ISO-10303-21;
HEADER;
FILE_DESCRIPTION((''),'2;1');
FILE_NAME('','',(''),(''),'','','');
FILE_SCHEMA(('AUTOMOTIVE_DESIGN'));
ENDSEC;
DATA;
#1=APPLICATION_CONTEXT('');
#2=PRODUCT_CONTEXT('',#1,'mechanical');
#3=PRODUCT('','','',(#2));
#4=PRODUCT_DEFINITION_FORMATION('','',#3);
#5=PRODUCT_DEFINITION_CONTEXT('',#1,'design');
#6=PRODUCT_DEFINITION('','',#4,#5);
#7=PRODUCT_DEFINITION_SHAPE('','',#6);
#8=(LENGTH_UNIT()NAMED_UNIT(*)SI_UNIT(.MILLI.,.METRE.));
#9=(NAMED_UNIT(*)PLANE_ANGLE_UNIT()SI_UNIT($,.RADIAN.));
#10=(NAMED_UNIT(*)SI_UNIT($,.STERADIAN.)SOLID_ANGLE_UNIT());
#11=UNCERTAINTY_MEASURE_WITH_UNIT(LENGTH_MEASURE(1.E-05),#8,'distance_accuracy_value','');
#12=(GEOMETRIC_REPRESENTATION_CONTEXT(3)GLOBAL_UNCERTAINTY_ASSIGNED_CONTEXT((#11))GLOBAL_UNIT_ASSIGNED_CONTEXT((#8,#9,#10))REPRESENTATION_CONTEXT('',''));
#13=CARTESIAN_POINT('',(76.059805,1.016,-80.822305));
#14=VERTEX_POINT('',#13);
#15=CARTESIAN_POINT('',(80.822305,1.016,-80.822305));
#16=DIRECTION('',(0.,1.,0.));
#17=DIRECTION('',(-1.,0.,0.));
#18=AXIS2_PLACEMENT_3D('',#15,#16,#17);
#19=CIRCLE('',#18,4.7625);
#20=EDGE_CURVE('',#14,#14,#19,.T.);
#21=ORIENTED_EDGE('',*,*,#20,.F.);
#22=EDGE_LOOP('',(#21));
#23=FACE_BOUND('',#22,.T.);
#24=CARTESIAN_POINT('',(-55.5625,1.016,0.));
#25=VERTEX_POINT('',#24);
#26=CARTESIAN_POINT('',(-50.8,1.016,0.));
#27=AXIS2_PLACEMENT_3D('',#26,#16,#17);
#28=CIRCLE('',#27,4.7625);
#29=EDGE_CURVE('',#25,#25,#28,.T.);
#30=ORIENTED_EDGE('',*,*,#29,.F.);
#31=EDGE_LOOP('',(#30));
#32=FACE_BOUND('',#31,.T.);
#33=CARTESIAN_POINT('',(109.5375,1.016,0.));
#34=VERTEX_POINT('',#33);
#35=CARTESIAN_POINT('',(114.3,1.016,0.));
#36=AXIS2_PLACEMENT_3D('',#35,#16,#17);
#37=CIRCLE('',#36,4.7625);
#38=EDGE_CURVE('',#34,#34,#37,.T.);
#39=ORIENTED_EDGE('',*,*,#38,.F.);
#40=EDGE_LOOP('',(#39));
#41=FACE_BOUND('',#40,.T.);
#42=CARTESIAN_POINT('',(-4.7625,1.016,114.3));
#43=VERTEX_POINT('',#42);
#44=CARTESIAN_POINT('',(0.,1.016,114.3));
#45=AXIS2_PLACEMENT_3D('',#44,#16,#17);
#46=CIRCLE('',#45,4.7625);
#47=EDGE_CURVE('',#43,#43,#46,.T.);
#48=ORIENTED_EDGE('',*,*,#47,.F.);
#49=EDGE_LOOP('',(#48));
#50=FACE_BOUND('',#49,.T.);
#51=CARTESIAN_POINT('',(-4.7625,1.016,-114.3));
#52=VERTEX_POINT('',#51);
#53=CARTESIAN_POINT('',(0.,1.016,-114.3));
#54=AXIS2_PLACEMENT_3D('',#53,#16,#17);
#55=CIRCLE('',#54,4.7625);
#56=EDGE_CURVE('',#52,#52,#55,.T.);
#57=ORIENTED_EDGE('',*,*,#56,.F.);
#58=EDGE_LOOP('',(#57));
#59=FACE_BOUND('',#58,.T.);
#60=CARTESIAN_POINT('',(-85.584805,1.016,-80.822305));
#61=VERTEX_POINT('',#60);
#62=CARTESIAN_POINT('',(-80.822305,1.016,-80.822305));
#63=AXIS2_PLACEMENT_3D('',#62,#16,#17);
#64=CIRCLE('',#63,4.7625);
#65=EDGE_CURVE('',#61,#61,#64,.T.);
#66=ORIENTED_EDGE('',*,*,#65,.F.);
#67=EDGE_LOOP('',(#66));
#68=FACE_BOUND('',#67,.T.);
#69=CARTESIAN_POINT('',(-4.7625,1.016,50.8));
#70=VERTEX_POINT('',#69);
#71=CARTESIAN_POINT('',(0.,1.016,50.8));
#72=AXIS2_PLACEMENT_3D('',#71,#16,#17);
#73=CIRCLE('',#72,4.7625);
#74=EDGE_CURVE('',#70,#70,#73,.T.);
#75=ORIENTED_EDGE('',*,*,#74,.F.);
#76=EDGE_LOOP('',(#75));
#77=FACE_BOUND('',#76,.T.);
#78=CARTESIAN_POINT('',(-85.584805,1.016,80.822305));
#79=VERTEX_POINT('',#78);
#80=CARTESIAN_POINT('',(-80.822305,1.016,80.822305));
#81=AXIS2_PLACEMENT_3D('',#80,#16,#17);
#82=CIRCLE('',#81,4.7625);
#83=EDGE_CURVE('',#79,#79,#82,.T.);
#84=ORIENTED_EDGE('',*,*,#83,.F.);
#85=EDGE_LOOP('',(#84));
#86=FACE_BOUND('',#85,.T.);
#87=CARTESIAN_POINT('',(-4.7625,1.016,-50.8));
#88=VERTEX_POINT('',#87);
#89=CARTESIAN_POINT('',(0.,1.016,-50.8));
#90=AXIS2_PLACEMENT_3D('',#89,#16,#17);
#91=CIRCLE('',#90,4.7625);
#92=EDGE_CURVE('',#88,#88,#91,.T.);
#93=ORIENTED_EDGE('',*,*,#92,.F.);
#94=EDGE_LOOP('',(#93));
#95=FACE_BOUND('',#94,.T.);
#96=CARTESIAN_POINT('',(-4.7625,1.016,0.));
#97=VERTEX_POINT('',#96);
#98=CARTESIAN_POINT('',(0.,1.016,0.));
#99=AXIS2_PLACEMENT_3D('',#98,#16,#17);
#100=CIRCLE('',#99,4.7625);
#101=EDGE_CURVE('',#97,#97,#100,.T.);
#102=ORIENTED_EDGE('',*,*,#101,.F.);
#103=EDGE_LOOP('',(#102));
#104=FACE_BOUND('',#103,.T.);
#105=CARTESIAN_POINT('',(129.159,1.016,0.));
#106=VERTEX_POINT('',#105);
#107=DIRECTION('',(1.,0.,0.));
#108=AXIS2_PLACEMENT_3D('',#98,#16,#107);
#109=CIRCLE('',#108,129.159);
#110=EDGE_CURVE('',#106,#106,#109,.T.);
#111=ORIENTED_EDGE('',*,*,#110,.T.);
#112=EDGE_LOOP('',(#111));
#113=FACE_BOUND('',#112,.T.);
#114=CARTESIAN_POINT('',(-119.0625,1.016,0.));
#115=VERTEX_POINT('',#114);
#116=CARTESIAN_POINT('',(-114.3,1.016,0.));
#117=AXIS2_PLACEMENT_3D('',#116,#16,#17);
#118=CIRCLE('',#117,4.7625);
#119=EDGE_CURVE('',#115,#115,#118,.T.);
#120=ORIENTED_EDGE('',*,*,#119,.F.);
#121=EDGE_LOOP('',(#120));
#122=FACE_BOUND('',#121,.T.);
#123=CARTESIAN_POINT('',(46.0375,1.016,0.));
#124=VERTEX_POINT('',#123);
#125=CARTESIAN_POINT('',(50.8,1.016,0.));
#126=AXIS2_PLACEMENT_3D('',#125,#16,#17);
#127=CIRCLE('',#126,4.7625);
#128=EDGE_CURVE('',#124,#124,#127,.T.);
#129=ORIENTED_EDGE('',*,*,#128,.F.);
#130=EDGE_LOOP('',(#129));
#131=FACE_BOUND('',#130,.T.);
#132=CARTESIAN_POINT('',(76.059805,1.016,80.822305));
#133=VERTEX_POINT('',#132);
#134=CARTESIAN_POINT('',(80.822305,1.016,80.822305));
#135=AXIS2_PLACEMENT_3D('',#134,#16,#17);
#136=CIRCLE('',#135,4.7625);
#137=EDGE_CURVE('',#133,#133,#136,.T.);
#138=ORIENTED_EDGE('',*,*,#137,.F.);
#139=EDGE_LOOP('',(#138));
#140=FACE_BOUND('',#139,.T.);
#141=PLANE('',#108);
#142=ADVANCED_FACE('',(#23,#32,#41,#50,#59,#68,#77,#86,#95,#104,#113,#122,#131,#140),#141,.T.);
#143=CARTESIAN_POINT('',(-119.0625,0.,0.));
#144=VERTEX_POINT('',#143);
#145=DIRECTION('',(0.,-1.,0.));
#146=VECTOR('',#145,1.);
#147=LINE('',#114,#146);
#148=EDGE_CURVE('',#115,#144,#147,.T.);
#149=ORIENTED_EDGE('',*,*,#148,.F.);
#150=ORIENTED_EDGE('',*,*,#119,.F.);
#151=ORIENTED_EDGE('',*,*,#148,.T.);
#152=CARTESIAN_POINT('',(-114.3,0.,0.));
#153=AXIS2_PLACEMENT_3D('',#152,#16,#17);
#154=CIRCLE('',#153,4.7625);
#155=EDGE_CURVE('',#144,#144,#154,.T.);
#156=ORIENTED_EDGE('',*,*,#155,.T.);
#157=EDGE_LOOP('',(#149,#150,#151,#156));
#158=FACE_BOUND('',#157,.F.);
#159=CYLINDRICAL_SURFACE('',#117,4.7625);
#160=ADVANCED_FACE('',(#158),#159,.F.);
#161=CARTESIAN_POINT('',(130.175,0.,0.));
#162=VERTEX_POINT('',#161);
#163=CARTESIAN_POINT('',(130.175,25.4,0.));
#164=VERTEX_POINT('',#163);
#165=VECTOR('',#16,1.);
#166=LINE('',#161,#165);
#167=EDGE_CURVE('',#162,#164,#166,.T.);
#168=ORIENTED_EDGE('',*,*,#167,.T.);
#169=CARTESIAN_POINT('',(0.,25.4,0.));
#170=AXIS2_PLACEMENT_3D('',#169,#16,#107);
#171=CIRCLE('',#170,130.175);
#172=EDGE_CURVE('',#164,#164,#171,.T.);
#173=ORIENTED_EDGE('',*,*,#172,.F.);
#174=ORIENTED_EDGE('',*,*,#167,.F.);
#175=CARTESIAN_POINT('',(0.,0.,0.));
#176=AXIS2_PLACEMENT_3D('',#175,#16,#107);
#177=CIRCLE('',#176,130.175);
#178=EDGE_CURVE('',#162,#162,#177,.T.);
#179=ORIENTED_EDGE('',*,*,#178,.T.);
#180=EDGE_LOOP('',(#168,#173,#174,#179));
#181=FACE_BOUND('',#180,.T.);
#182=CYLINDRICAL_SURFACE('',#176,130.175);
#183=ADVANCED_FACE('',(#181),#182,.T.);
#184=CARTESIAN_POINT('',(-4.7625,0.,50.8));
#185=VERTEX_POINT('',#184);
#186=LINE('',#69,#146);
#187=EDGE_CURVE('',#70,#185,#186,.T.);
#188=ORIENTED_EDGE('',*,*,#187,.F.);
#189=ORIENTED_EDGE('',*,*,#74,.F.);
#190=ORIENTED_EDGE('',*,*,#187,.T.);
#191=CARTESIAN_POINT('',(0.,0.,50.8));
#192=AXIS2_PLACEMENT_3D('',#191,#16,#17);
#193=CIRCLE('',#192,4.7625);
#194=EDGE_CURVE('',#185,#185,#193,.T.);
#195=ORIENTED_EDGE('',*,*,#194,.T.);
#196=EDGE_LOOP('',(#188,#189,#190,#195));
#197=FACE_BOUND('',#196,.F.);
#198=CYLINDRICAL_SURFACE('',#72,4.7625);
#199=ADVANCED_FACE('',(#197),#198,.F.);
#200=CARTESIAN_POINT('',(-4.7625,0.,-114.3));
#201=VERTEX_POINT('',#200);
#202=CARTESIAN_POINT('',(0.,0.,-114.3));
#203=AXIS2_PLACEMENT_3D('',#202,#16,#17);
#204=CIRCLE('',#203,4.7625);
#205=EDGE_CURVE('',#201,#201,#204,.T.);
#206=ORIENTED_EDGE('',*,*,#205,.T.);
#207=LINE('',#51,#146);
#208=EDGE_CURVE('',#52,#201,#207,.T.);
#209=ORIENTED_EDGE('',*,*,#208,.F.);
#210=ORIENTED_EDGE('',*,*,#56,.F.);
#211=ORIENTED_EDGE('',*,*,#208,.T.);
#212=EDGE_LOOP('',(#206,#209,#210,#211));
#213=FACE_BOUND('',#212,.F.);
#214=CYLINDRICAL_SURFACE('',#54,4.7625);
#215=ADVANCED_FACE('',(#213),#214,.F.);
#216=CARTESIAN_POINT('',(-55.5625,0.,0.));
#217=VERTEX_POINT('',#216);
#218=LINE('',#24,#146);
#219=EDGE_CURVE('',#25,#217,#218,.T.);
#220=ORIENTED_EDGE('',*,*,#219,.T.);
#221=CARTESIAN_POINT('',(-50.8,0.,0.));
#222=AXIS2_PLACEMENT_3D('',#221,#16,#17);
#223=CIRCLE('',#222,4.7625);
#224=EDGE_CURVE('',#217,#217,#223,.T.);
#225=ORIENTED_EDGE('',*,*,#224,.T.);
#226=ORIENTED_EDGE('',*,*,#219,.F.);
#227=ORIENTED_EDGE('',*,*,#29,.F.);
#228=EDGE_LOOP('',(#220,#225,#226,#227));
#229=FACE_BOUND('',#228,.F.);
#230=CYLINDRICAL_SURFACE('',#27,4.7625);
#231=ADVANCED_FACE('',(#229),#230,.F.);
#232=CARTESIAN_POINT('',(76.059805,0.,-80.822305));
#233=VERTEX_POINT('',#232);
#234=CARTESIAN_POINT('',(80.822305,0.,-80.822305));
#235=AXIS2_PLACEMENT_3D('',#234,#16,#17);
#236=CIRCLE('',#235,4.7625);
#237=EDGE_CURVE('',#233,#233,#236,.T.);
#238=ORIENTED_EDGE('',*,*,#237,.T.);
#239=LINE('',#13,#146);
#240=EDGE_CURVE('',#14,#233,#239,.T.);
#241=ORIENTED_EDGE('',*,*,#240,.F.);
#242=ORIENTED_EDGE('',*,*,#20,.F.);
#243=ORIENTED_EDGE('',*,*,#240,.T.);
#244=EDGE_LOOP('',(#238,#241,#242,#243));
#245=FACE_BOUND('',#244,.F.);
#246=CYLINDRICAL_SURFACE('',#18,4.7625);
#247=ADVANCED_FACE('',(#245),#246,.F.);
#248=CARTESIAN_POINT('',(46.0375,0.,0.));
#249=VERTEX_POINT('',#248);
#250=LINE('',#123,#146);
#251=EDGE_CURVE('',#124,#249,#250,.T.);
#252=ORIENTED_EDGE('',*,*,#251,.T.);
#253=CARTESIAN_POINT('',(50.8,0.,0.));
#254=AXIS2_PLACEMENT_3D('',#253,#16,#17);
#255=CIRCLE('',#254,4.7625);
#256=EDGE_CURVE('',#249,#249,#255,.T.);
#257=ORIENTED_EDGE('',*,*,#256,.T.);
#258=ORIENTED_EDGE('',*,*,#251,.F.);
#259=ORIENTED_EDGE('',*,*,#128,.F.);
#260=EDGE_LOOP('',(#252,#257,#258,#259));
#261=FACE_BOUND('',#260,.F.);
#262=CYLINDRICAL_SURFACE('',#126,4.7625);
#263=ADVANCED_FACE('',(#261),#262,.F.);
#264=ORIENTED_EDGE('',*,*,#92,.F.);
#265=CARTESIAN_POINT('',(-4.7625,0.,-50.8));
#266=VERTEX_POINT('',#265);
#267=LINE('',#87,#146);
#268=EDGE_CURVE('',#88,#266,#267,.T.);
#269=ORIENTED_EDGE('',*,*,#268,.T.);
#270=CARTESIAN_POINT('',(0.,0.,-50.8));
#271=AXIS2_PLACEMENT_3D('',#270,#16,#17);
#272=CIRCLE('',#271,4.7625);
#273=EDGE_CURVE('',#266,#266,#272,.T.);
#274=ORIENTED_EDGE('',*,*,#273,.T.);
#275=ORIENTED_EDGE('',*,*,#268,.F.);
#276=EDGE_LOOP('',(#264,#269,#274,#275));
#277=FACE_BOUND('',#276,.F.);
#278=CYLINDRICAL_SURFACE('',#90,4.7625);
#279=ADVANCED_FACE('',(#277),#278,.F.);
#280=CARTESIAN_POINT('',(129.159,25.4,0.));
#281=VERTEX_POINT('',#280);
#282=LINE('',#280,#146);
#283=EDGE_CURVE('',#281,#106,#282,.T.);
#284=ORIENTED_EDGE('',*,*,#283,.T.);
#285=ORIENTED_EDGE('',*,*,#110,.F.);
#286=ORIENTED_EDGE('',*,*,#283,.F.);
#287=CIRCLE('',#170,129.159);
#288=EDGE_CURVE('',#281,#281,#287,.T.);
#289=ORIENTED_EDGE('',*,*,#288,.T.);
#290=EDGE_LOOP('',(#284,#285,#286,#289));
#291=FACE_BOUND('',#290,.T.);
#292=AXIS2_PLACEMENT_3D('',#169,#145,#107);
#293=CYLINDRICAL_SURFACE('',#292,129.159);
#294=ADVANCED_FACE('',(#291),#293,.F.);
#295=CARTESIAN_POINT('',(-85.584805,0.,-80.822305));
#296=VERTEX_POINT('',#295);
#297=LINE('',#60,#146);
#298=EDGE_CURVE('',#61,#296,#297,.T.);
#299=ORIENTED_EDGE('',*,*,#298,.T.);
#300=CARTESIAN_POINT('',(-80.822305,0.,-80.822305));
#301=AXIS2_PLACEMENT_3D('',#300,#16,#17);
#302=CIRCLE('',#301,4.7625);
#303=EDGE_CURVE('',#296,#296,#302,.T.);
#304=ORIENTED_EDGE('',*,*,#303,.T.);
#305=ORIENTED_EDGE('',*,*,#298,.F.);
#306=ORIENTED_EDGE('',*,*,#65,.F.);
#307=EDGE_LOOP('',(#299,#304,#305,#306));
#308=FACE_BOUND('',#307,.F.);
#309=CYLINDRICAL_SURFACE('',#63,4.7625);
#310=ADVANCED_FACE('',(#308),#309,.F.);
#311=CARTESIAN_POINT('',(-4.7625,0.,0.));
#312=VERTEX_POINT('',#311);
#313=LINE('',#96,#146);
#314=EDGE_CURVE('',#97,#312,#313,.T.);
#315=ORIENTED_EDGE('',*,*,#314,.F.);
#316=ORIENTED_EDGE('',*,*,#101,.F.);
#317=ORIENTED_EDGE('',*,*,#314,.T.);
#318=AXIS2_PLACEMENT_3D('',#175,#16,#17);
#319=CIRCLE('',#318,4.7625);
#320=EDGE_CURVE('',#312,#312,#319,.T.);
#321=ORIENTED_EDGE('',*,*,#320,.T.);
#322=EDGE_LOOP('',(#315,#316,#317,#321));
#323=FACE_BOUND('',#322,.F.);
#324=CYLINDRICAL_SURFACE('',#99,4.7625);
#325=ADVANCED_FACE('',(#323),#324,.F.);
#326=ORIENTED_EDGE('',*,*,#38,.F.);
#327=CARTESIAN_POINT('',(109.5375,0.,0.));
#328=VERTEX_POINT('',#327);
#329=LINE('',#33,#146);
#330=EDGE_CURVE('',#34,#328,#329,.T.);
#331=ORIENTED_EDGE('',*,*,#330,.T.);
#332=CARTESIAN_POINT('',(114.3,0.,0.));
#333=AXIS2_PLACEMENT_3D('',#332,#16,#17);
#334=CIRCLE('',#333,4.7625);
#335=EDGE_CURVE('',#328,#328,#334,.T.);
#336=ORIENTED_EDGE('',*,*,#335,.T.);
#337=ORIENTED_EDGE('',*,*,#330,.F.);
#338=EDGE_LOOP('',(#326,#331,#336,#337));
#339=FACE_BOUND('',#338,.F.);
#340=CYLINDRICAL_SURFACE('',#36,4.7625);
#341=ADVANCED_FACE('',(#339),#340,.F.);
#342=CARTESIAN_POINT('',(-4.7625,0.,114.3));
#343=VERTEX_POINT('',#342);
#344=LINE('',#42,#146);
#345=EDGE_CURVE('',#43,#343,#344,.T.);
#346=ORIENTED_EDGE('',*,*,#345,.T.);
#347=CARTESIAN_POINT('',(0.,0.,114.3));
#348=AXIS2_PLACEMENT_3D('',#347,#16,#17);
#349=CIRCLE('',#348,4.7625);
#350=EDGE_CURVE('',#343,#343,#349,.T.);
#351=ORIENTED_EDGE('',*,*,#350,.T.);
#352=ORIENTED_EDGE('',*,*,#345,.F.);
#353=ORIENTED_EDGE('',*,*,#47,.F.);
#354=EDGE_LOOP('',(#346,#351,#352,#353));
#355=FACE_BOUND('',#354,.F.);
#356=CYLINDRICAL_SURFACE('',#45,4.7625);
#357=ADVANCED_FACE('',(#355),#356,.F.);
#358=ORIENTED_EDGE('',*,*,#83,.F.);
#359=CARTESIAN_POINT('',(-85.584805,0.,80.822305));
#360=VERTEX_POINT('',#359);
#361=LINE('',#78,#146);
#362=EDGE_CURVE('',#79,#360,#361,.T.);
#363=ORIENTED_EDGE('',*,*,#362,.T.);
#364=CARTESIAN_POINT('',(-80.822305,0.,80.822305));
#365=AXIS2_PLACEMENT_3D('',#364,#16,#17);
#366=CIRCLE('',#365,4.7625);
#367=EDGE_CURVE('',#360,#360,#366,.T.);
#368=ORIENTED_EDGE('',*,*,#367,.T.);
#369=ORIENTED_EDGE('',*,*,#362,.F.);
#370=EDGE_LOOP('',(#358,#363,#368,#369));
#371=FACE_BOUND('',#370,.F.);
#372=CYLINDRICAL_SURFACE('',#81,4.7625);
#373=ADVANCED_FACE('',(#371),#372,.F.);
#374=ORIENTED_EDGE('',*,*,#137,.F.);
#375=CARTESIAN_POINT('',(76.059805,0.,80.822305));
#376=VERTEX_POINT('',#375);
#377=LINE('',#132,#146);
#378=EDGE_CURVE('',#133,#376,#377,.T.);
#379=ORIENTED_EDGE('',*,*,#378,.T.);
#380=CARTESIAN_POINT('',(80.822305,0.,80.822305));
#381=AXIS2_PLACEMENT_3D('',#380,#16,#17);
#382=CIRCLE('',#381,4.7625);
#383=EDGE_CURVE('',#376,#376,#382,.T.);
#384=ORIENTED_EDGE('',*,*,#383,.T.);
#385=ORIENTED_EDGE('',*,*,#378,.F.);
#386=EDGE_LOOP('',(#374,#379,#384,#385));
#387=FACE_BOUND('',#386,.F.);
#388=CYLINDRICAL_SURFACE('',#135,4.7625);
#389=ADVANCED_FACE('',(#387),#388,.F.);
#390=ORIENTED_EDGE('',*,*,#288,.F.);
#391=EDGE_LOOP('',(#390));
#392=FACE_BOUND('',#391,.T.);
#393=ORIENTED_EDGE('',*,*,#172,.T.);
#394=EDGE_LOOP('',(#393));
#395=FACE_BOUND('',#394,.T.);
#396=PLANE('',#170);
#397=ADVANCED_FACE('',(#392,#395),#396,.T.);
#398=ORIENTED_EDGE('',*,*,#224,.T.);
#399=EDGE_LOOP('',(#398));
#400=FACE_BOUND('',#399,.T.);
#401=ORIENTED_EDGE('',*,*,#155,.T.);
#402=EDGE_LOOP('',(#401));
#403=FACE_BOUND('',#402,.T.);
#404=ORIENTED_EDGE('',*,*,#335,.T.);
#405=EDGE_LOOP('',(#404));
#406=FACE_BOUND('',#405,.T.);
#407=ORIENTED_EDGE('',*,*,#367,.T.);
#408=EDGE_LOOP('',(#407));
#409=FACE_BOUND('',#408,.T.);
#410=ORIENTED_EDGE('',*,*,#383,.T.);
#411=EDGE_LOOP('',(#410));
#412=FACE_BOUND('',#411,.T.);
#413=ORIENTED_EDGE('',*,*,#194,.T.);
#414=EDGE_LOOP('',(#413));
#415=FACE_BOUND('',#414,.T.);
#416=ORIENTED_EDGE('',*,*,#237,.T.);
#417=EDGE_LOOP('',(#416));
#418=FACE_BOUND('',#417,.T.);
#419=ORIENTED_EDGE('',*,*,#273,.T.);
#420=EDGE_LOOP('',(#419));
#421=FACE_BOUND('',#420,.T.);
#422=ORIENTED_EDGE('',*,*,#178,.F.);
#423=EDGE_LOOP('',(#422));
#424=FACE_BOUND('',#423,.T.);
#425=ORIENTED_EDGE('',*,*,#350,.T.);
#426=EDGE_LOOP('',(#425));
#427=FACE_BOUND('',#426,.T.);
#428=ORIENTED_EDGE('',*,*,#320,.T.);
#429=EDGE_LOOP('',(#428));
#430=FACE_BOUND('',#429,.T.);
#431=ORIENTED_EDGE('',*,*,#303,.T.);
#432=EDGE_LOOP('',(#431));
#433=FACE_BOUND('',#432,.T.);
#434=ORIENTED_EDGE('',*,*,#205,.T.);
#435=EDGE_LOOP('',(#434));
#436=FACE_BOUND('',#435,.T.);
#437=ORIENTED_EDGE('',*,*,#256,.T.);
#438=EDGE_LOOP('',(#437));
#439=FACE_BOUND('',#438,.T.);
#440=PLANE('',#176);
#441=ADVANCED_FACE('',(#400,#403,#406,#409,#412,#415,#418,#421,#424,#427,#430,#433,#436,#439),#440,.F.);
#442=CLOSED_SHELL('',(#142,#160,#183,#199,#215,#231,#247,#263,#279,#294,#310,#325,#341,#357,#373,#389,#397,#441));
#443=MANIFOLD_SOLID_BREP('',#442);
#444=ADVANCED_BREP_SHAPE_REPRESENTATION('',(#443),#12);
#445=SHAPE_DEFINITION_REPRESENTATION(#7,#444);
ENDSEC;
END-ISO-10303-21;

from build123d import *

# Parameters (mm, degrees)
F2_R     = 4.7625
F3_DEPTH = 1.017


with BuildPart() as f1:
    # F0 (on Top) → F1 (revolve)
    with BuildSketch(Plane.XY):
        Polygon((0, 1.016), (0, 0), (130.175, 0), (130.175, 25.4), (129.159, 25.4), (129.159, 1.016), align=None)
    revolve(axis=Axis((0, 0.508, 0), (0, 1, 0)))

    # F2 (on face) → F3 (cut, through all)
    with BuildSketch(Plane(origin=(0, 1.016, 0), x_dir=(-1, 0, 0), z_dir=(0, 1, 0))):
        Circle(F2_R)
        with Locations((0, -50.8)):
            Circle(F2_R)
        with Locations((0, -114.3)):
            Circle(F2_R)
        with Locations((-50.8, 0)):
            Circle(F2_R)
        with Locations((0, 50.8)):
            Circle(F2_R)
        with Locations((-80.822305, 80.822305)):
            Circle(F2_R)
        with Locations((80.822305, 80.822305)):
            Circle(F2_R)
        with Locations((114.3, 0)):
            Circle(F2_R)
        with Locations((80.822305, -80.822305)):
            Circle(F2_R)
        with Locations((-80.822305, -80.822305)):
            Circle(F2_R)
        with Locations((0, 114.3)):
            Circle(F2_R)
        with Locations((50.8, 0)):
            Circle(F2_R)
        with Locations((-114.3, 0)):
            Circle(F2_R)
    extrude(amount=-F3_DEPTH, mode=Mode.SUBTRACT)


solid = f1.part
